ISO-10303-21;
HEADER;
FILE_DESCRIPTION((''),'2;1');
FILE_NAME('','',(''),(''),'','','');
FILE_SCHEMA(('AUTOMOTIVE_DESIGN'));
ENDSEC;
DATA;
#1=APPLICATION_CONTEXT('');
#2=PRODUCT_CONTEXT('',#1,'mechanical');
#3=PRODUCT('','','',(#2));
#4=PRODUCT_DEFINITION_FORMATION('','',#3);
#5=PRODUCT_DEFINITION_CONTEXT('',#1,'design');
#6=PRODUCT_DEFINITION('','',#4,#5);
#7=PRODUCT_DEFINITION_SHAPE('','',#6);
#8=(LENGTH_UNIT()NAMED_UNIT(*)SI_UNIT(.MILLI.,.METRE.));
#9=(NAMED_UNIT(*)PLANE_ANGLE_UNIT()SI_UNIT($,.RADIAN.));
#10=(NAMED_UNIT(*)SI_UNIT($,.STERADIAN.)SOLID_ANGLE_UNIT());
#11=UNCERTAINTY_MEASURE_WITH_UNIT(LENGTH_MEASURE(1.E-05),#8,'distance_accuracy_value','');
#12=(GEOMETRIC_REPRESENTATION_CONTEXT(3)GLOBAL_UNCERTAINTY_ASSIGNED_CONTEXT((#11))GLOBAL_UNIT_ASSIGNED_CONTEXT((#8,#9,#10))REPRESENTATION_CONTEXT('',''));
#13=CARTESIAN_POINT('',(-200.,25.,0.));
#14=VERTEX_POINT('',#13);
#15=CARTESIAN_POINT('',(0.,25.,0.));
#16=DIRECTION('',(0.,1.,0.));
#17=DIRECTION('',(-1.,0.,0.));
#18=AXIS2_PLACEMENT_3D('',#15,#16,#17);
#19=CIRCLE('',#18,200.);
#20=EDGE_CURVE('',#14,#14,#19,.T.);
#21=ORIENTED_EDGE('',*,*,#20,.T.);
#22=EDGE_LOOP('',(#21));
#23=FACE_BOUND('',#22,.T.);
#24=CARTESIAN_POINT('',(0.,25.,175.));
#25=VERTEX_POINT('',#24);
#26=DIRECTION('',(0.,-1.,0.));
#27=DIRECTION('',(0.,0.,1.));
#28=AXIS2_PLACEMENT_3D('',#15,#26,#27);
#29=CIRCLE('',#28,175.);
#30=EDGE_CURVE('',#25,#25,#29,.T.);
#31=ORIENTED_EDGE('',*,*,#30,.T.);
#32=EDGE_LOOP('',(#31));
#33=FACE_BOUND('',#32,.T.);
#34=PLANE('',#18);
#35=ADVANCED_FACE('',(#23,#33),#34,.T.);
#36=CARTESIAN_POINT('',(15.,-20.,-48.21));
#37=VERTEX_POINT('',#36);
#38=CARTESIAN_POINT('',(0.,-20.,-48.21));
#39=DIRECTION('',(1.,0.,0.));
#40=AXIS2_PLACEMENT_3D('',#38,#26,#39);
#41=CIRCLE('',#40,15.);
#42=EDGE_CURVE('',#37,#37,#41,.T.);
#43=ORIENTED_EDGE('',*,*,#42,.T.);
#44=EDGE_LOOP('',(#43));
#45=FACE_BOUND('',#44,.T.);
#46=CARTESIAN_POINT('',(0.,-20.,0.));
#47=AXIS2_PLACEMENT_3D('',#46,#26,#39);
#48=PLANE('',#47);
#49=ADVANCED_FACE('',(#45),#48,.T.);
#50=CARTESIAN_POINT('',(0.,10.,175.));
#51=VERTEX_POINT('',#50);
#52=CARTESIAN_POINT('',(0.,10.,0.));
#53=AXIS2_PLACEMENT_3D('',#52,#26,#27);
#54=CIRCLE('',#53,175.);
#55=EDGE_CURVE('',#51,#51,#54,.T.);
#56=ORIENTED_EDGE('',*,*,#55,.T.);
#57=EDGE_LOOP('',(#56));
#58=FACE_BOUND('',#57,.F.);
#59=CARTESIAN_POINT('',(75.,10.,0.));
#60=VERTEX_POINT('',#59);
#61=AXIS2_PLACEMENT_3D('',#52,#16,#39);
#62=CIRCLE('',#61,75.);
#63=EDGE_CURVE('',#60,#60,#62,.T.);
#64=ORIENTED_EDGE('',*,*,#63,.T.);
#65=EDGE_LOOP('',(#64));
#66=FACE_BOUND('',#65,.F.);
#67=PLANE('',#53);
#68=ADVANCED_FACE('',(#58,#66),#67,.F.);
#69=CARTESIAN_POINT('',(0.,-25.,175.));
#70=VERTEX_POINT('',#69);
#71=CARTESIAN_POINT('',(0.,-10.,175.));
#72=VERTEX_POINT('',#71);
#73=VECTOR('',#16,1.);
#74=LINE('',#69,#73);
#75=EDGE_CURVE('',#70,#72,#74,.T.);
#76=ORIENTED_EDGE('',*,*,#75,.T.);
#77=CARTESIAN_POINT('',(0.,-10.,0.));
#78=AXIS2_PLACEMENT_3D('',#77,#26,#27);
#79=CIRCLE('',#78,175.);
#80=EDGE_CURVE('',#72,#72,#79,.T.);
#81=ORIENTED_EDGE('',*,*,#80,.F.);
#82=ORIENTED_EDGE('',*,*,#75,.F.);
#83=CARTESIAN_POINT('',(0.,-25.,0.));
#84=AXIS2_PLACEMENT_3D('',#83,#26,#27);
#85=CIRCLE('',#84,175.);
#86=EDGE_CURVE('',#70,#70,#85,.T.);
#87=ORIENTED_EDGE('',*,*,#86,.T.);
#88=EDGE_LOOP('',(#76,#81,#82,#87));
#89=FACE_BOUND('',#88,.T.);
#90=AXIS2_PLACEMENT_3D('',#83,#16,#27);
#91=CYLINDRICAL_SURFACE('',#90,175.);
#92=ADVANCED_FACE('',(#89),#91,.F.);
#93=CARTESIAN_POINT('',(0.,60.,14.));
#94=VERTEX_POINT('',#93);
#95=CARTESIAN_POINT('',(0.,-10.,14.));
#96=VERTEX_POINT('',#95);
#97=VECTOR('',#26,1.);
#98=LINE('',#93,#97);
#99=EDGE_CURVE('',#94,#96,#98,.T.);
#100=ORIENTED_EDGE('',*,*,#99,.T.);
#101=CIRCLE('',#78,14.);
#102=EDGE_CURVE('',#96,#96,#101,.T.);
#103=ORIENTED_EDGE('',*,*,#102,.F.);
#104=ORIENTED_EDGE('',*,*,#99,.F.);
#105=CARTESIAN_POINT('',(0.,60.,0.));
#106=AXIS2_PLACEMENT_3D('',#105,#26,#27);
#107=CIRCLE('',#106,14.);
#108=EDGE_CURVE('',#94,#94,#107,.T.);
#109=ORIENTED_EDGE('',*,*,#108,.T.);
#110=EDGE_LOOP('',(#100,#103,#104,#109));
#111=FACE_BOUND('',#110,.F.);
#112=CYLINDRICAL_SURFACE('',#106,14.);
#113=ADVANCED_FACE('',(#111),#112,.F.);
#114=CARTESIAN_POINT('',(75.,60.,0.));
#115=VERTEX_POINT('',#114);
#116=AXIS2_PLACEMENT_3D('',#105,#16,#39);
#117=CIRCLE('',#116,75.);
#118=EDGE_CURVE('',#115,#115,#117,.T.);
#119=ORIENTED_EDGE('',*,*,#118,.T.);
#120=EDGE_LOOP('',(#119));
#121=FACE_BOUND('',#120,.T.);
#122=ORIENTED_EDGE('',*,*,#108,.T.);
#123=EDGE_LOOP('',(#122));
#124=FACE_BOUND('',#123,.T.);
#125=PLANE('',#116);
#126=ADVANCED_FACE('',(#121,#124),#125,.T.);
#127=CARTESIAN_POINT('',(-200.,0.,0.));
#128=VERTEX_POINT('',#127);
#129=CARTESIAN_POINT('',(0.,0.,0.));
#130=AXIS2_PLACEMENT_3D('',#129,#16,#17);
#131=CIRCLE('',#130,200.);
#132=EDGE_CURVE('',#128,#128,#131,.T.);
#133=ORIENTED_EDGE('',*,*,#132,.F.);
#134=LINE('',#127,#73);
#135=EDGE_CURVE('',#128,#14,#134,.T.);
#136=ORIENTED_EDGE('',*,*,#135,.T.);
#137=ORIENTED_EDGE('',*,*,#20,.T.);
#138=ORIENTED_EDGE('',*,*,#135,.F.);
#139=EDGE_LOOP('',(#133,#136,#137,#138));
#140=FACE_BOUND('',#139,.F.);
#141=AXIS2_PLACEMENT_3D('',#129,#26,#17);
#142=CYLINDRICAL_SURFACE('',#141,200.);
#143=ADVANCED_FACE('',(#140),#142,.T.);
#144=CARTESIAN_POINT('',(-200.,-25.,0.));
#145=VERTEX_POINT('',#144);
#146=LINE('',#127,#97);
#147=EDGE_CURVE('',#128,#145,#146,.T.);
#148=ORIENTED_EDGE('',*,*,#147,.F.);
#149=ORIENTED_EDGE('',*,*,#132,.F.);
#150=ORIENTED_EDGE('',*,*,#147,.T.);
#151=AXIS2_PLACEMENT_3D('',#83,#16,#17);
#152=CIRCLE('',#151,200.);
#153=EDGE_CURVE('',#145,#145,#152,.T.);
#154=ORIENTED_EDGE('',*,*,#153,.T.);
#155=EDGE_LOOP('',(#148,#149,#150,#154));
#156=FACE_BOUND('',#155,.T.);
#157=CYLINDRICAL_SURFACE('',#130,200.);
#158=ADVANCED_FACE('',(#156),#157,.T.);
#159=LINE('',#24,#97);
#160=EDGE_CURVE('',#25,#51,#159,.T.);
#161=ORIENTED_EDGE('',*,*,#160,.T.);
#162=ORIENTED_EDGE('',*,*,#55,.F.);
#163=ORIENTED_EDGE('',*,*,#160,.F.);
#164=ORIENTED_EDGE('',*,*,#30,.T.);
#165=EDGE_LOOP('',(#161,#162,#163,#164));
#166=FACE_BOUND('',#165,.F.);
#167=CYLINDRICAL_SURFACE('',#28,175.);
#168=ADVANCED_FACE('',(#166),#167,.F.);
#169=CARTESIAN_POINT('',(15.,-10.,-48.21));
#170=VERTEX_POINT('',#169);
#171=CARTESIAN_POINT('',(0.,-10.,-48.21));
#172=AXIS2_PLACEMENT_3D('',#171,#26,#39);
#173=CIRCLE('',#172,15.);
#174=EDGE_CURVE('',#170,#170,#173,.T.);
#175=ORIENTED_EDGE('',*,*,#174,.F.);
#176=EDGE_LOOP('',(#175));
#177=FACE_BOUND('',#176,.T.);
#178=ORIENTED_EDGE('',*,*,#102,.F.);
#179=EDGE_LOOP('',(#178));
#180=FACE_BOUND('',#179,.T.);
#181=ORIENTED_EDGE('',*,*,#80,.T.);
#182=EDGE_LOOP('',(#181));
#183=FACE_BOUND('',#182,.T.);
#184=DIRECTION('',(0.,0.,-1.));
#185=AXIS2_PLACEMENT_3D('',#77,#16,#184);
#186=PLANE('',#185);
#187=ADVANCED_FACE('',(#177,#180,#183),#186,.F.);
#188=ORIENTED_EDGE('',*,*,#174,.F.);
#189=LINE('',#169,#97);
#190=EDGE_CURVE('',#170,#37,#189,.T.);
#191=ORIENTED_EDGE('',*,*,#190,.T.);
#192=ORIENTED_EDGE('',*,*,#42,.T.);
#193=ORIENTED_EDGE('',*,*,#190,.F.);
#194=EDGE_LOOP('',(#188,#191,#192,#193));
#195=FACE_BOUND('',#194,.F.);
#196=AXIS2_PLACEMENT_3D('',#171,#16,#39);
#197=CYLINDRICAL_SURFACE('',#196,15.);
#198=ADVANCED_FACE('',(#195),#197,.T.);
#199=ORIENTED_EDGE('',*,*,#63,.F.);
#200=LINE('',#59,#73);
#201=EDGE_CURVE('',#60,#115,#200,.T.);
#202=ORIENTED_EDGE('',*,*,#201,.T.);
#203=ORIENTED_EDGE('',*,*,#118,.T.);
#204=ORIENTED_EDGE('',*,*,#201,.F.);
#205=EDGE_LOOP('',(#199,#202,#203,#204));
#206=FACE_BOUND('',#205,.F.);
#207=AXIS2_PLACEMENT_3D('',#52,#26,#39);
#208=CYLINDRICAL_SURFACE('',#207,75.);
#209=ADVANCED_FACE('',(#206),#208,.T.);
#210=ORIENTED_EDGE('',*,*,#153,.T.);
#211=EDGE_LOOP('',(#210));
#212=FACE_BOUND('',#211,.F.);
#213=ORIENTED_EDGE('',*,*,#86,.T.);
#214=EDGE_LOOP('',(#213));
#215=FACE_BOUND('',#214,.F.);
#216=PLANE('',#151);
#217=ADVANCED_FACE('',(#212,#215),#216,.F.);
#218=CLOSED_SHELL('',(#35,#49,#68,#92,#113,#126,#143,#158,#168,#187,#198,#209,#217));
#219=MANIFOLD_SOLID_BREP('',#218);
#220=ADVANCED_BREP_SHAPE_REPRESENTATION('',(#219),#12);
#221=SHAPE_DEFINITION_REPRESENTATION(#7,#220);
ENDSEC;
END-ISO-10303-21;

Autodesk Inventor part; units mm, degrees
ref_plane "YZ Plane" through (0, 0, 0) normal (1, 0, 0) x (0, 1, 0)
ref_plane "XZ Plane" through (0, 0, 0) normal (0, 1, 0) x (-1, 0, 0)
ref_plane "XY Plane" through (0, 0, 0) normal (0, 0, 1) x (1, 0, 0)
sketch "Skizze1" plane through (0, 0, 0) normal (0, 1, 0) x (-1, 0, 0)
  circle A0 centre (0, 0) radius 200
  dimension "d0" = 400
extrude "Extrusion1" add sketch "Skizze1" along normal mid plane 50
sketch "Skizze2" plane through (0, 25, 0) normal (0, 1, 0) x (1, 0, 0)
  circle A0 centre (0, 0) radius 200 projected
hole "Bohrung1" at (0, 25, 0) direction (0, -1, 0) diameter 350 depth 15
mirror "Spiegeln1" about plane through (0, 0, 0) normal (0, 1, 0) of "Bohrung1"
sketch "Skizze3" plane through (0, 10, 0) normal (0, 1, 0) x (1, 0, 0)
  circle A0 centre (0, 0) radius 75
  dimension "d11" = 150
extrude "Extrusion2" add sketch "Skizze3" along normal blind 50
sketch "Skizze4" plane through (0, 60, 0) normal (0, 1, 0) x (1, 0, 0)
  circle A0 centre (0, 0) radius 75 projected
hole "Bohrung2" at (0, 60, 0) direction (0, -1, 0) diameter 28 depth 70
sketch "Skizze7" plane through (0, -10, 0) normal (0, -1, 0) x (1, 0, 0)
  circle A0 centre (0, -48.21) radius 15
  point P0 (0, 0)
  dimension "d46" = 30
  dimension "d50" = 48.21
extrude "Extrusion3" add sketch "Skizze7" along normal blind 10
properties part number "rad" material "Gold"
